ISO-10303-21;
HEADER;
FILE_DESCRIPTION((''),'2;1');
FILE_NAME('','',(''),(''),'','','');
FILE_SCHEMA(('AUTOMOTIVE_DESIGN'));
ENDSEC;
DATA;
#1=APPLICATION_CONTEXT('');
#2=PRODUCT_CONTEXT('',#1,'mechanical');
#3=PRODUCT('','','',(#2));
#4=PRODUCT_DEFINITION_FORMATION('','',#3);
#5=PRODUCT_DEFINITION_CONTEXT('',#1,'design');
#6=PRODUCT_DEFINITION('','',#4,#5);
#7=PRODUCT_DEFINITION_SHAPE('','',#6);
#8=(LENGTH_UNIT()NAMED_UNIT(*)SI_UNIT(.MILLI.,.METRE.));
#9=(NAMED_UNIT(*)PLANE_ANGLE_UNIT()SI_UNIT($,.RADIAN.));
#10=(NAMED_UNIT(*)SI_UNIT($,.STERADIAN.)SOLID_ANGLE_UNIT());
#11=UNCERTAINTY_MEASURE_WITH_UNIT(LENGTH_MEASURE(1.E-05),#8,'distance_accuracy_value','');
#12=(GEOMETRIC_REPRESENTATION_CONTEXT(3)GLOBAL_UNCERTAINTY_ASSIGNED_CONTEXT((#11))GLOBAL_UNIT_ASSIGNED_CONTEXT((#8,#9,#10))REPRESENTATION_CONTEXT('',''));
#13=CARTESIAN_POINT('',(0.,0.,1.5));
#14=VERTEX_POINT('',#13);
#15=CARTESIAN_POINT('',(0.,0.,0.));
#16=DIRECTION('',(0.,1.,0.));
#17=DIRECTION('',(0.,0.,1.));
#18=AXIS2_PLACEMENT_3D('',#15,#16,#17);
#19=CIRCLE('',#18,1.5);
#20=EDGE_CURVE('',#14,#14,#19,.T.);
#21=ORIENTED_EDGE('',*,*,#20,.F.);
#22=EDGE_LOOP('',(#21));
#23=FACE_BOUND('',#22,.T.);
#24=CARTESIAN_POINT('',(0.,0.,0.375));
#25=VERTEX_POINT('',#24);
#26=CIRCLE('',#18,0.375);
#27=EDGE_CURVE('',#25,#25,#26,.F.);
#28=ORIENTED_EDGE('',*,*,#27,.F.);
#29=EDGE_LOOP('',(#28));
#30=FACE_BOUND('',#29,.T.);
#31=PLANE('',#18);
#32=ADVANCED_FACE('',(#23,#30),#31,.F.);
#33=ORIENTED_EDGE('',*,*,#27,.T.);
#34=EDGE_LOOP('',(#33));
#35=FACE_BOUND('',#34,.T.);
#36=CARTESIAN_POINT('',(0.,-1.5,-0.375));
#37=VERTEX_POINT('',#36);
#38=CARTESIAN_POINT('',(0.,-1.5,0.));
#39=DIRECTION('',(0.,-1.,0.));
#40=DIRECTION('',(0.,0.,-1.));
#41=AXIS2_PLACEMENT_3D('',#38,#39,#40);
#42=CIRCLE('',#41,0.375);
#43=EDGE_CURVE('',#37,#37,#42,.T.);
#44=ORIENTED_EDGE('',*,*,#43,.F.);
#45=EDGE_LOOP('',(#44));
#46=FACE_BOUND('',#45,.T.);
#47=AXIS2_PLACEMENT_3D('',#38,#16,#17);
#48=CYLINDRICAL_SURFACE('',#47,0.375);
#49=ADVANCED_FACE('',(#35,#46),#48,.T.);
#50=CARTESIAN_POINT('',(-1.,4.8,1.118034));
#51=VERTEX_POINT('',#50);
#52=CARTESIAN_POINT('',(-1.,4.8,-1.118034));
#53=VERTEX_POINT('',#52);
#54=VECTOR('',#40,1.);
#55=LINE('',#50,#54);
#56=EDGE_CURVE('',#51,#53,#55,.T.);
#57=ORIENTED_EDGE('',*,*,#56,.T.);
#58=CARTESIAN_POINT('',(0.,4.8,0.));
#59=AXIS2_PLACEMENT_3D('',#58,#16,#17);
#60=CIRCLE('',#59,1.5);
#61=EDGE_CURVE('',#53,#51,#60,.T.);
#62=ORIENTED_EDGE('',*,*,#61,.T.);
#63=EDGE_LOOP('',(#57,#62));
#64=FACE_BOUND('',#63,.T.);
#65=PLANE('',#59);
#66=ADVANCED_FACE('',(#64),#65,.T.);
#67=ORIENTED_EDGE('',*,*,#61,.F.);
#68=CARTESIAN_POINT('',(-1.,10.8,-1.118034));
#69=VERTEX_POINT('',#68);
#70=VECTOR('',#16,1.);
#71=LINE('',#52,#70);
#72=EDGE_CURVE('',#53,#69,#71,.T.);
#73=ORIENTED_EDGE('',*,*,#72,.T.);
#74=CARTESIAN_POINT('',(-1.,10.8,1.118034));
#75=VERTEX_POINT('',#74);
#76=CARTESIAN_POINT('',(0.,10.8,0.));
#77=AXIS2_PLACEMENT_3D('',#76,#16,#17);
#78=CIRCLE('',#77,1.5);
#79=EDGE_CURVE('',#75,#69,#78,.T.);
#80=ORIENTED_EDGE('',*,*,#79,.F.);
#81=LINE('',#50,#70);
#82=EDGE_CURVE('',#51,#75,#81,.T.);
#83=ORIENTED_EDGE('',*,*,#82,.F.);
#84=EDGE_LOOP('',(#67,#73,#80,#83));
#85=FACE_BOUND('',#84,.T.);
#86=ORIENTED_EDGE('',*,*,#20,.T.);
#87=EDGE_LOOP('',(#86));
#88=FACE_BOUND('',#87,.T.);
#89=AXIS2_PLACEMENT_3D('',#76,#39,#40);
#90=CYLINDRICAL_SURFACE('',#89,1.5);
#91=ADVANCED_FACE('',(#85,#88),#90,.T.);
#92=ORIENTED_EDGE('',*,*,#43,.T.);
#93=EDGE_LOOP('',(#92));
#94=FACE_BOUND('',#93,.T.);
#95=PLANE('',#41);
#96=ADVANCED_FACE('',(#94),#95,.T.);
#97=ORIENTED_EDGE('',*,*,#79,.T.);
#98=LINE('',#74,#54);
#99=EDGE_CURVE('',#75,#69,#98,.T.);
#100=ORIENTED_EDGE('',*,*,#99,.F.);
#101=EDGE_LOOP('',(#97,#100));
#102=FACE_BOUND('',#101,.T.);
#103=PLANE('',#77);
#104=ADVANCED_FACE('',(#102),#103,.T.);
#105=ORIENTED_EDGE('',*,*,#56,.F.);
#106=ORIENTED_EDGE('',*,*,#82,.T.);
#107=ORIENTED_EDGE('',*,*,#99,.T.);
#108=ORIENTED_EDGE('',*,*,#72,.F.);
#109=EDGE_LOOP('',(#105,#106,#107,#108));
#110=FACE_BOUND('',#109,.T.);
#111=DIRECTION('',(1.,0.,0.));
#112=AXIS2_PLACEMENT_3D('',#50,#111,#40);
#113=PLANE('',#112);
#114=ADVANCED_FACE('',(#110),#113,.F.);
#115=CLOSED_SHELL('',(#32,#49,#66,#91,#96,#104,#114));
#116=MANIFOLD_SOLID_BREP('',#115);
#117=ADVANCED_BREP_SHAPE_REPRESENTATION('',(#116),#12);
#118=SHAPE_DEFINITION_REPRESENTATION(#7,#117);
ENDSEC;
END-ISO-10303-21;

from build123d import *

# Parameters (mm, degrees)
SKETCH_1_R          = 1.5
EXTRUDE_1_DEPTH     = 10.8
CUT_EXTRUDE_START   = -6
CUT_EXTRUDE_1_DEPTH = 6
SKETCH_3_R          = 0.375
EXTRUDE_2_DEPTH     = 1.5


with BuildPart() as part:
    # Эскиз1 → Бобышка-Вытянуть1 (new body)
    with BuildSketch(Plane(origin=(0, 0, 0), x_dir=(1, 0, 0), z_dir=(0, 1, 0))):
        with Locations(Location((0, 0, 0), (0, 0, 90))):
            Circle(SKETCH_1_R)
    extrude(amount=EXTRUDE_1_DEPTH)

    # Эскиз2 → Вырез-Вытянуть1 (cut)
    with BuildSketch(Plane(origin=(0, 10.8, 0), x_dir=(1, 0, 0), z_dir=(0, 1, 0)).offset(CUT_EXTRUDE_START)):
        with BuildLine():
            Line((-1, -1.118033989), (-1, 1.118033989))
            ThreePointArc((-1, 1.118033989), (-1.5, 0), (-1, -1.118033989))
        make_face()
    extrude(amount=CUT_EXTRUDE_1_DEPTH, mode=Mode.SUBTRACT)

    # Эскиз3 → Бобышка-Вытянуть2 (add)
    with BuildSketch(Plane.XZ):
        with Locations(Location((0, 0, 0), (0, 0, 90))):
            Circle(SKETCH_3_R)
    extrude(amount=EXTRUDE_2_DEPTH)


solid = part.part
